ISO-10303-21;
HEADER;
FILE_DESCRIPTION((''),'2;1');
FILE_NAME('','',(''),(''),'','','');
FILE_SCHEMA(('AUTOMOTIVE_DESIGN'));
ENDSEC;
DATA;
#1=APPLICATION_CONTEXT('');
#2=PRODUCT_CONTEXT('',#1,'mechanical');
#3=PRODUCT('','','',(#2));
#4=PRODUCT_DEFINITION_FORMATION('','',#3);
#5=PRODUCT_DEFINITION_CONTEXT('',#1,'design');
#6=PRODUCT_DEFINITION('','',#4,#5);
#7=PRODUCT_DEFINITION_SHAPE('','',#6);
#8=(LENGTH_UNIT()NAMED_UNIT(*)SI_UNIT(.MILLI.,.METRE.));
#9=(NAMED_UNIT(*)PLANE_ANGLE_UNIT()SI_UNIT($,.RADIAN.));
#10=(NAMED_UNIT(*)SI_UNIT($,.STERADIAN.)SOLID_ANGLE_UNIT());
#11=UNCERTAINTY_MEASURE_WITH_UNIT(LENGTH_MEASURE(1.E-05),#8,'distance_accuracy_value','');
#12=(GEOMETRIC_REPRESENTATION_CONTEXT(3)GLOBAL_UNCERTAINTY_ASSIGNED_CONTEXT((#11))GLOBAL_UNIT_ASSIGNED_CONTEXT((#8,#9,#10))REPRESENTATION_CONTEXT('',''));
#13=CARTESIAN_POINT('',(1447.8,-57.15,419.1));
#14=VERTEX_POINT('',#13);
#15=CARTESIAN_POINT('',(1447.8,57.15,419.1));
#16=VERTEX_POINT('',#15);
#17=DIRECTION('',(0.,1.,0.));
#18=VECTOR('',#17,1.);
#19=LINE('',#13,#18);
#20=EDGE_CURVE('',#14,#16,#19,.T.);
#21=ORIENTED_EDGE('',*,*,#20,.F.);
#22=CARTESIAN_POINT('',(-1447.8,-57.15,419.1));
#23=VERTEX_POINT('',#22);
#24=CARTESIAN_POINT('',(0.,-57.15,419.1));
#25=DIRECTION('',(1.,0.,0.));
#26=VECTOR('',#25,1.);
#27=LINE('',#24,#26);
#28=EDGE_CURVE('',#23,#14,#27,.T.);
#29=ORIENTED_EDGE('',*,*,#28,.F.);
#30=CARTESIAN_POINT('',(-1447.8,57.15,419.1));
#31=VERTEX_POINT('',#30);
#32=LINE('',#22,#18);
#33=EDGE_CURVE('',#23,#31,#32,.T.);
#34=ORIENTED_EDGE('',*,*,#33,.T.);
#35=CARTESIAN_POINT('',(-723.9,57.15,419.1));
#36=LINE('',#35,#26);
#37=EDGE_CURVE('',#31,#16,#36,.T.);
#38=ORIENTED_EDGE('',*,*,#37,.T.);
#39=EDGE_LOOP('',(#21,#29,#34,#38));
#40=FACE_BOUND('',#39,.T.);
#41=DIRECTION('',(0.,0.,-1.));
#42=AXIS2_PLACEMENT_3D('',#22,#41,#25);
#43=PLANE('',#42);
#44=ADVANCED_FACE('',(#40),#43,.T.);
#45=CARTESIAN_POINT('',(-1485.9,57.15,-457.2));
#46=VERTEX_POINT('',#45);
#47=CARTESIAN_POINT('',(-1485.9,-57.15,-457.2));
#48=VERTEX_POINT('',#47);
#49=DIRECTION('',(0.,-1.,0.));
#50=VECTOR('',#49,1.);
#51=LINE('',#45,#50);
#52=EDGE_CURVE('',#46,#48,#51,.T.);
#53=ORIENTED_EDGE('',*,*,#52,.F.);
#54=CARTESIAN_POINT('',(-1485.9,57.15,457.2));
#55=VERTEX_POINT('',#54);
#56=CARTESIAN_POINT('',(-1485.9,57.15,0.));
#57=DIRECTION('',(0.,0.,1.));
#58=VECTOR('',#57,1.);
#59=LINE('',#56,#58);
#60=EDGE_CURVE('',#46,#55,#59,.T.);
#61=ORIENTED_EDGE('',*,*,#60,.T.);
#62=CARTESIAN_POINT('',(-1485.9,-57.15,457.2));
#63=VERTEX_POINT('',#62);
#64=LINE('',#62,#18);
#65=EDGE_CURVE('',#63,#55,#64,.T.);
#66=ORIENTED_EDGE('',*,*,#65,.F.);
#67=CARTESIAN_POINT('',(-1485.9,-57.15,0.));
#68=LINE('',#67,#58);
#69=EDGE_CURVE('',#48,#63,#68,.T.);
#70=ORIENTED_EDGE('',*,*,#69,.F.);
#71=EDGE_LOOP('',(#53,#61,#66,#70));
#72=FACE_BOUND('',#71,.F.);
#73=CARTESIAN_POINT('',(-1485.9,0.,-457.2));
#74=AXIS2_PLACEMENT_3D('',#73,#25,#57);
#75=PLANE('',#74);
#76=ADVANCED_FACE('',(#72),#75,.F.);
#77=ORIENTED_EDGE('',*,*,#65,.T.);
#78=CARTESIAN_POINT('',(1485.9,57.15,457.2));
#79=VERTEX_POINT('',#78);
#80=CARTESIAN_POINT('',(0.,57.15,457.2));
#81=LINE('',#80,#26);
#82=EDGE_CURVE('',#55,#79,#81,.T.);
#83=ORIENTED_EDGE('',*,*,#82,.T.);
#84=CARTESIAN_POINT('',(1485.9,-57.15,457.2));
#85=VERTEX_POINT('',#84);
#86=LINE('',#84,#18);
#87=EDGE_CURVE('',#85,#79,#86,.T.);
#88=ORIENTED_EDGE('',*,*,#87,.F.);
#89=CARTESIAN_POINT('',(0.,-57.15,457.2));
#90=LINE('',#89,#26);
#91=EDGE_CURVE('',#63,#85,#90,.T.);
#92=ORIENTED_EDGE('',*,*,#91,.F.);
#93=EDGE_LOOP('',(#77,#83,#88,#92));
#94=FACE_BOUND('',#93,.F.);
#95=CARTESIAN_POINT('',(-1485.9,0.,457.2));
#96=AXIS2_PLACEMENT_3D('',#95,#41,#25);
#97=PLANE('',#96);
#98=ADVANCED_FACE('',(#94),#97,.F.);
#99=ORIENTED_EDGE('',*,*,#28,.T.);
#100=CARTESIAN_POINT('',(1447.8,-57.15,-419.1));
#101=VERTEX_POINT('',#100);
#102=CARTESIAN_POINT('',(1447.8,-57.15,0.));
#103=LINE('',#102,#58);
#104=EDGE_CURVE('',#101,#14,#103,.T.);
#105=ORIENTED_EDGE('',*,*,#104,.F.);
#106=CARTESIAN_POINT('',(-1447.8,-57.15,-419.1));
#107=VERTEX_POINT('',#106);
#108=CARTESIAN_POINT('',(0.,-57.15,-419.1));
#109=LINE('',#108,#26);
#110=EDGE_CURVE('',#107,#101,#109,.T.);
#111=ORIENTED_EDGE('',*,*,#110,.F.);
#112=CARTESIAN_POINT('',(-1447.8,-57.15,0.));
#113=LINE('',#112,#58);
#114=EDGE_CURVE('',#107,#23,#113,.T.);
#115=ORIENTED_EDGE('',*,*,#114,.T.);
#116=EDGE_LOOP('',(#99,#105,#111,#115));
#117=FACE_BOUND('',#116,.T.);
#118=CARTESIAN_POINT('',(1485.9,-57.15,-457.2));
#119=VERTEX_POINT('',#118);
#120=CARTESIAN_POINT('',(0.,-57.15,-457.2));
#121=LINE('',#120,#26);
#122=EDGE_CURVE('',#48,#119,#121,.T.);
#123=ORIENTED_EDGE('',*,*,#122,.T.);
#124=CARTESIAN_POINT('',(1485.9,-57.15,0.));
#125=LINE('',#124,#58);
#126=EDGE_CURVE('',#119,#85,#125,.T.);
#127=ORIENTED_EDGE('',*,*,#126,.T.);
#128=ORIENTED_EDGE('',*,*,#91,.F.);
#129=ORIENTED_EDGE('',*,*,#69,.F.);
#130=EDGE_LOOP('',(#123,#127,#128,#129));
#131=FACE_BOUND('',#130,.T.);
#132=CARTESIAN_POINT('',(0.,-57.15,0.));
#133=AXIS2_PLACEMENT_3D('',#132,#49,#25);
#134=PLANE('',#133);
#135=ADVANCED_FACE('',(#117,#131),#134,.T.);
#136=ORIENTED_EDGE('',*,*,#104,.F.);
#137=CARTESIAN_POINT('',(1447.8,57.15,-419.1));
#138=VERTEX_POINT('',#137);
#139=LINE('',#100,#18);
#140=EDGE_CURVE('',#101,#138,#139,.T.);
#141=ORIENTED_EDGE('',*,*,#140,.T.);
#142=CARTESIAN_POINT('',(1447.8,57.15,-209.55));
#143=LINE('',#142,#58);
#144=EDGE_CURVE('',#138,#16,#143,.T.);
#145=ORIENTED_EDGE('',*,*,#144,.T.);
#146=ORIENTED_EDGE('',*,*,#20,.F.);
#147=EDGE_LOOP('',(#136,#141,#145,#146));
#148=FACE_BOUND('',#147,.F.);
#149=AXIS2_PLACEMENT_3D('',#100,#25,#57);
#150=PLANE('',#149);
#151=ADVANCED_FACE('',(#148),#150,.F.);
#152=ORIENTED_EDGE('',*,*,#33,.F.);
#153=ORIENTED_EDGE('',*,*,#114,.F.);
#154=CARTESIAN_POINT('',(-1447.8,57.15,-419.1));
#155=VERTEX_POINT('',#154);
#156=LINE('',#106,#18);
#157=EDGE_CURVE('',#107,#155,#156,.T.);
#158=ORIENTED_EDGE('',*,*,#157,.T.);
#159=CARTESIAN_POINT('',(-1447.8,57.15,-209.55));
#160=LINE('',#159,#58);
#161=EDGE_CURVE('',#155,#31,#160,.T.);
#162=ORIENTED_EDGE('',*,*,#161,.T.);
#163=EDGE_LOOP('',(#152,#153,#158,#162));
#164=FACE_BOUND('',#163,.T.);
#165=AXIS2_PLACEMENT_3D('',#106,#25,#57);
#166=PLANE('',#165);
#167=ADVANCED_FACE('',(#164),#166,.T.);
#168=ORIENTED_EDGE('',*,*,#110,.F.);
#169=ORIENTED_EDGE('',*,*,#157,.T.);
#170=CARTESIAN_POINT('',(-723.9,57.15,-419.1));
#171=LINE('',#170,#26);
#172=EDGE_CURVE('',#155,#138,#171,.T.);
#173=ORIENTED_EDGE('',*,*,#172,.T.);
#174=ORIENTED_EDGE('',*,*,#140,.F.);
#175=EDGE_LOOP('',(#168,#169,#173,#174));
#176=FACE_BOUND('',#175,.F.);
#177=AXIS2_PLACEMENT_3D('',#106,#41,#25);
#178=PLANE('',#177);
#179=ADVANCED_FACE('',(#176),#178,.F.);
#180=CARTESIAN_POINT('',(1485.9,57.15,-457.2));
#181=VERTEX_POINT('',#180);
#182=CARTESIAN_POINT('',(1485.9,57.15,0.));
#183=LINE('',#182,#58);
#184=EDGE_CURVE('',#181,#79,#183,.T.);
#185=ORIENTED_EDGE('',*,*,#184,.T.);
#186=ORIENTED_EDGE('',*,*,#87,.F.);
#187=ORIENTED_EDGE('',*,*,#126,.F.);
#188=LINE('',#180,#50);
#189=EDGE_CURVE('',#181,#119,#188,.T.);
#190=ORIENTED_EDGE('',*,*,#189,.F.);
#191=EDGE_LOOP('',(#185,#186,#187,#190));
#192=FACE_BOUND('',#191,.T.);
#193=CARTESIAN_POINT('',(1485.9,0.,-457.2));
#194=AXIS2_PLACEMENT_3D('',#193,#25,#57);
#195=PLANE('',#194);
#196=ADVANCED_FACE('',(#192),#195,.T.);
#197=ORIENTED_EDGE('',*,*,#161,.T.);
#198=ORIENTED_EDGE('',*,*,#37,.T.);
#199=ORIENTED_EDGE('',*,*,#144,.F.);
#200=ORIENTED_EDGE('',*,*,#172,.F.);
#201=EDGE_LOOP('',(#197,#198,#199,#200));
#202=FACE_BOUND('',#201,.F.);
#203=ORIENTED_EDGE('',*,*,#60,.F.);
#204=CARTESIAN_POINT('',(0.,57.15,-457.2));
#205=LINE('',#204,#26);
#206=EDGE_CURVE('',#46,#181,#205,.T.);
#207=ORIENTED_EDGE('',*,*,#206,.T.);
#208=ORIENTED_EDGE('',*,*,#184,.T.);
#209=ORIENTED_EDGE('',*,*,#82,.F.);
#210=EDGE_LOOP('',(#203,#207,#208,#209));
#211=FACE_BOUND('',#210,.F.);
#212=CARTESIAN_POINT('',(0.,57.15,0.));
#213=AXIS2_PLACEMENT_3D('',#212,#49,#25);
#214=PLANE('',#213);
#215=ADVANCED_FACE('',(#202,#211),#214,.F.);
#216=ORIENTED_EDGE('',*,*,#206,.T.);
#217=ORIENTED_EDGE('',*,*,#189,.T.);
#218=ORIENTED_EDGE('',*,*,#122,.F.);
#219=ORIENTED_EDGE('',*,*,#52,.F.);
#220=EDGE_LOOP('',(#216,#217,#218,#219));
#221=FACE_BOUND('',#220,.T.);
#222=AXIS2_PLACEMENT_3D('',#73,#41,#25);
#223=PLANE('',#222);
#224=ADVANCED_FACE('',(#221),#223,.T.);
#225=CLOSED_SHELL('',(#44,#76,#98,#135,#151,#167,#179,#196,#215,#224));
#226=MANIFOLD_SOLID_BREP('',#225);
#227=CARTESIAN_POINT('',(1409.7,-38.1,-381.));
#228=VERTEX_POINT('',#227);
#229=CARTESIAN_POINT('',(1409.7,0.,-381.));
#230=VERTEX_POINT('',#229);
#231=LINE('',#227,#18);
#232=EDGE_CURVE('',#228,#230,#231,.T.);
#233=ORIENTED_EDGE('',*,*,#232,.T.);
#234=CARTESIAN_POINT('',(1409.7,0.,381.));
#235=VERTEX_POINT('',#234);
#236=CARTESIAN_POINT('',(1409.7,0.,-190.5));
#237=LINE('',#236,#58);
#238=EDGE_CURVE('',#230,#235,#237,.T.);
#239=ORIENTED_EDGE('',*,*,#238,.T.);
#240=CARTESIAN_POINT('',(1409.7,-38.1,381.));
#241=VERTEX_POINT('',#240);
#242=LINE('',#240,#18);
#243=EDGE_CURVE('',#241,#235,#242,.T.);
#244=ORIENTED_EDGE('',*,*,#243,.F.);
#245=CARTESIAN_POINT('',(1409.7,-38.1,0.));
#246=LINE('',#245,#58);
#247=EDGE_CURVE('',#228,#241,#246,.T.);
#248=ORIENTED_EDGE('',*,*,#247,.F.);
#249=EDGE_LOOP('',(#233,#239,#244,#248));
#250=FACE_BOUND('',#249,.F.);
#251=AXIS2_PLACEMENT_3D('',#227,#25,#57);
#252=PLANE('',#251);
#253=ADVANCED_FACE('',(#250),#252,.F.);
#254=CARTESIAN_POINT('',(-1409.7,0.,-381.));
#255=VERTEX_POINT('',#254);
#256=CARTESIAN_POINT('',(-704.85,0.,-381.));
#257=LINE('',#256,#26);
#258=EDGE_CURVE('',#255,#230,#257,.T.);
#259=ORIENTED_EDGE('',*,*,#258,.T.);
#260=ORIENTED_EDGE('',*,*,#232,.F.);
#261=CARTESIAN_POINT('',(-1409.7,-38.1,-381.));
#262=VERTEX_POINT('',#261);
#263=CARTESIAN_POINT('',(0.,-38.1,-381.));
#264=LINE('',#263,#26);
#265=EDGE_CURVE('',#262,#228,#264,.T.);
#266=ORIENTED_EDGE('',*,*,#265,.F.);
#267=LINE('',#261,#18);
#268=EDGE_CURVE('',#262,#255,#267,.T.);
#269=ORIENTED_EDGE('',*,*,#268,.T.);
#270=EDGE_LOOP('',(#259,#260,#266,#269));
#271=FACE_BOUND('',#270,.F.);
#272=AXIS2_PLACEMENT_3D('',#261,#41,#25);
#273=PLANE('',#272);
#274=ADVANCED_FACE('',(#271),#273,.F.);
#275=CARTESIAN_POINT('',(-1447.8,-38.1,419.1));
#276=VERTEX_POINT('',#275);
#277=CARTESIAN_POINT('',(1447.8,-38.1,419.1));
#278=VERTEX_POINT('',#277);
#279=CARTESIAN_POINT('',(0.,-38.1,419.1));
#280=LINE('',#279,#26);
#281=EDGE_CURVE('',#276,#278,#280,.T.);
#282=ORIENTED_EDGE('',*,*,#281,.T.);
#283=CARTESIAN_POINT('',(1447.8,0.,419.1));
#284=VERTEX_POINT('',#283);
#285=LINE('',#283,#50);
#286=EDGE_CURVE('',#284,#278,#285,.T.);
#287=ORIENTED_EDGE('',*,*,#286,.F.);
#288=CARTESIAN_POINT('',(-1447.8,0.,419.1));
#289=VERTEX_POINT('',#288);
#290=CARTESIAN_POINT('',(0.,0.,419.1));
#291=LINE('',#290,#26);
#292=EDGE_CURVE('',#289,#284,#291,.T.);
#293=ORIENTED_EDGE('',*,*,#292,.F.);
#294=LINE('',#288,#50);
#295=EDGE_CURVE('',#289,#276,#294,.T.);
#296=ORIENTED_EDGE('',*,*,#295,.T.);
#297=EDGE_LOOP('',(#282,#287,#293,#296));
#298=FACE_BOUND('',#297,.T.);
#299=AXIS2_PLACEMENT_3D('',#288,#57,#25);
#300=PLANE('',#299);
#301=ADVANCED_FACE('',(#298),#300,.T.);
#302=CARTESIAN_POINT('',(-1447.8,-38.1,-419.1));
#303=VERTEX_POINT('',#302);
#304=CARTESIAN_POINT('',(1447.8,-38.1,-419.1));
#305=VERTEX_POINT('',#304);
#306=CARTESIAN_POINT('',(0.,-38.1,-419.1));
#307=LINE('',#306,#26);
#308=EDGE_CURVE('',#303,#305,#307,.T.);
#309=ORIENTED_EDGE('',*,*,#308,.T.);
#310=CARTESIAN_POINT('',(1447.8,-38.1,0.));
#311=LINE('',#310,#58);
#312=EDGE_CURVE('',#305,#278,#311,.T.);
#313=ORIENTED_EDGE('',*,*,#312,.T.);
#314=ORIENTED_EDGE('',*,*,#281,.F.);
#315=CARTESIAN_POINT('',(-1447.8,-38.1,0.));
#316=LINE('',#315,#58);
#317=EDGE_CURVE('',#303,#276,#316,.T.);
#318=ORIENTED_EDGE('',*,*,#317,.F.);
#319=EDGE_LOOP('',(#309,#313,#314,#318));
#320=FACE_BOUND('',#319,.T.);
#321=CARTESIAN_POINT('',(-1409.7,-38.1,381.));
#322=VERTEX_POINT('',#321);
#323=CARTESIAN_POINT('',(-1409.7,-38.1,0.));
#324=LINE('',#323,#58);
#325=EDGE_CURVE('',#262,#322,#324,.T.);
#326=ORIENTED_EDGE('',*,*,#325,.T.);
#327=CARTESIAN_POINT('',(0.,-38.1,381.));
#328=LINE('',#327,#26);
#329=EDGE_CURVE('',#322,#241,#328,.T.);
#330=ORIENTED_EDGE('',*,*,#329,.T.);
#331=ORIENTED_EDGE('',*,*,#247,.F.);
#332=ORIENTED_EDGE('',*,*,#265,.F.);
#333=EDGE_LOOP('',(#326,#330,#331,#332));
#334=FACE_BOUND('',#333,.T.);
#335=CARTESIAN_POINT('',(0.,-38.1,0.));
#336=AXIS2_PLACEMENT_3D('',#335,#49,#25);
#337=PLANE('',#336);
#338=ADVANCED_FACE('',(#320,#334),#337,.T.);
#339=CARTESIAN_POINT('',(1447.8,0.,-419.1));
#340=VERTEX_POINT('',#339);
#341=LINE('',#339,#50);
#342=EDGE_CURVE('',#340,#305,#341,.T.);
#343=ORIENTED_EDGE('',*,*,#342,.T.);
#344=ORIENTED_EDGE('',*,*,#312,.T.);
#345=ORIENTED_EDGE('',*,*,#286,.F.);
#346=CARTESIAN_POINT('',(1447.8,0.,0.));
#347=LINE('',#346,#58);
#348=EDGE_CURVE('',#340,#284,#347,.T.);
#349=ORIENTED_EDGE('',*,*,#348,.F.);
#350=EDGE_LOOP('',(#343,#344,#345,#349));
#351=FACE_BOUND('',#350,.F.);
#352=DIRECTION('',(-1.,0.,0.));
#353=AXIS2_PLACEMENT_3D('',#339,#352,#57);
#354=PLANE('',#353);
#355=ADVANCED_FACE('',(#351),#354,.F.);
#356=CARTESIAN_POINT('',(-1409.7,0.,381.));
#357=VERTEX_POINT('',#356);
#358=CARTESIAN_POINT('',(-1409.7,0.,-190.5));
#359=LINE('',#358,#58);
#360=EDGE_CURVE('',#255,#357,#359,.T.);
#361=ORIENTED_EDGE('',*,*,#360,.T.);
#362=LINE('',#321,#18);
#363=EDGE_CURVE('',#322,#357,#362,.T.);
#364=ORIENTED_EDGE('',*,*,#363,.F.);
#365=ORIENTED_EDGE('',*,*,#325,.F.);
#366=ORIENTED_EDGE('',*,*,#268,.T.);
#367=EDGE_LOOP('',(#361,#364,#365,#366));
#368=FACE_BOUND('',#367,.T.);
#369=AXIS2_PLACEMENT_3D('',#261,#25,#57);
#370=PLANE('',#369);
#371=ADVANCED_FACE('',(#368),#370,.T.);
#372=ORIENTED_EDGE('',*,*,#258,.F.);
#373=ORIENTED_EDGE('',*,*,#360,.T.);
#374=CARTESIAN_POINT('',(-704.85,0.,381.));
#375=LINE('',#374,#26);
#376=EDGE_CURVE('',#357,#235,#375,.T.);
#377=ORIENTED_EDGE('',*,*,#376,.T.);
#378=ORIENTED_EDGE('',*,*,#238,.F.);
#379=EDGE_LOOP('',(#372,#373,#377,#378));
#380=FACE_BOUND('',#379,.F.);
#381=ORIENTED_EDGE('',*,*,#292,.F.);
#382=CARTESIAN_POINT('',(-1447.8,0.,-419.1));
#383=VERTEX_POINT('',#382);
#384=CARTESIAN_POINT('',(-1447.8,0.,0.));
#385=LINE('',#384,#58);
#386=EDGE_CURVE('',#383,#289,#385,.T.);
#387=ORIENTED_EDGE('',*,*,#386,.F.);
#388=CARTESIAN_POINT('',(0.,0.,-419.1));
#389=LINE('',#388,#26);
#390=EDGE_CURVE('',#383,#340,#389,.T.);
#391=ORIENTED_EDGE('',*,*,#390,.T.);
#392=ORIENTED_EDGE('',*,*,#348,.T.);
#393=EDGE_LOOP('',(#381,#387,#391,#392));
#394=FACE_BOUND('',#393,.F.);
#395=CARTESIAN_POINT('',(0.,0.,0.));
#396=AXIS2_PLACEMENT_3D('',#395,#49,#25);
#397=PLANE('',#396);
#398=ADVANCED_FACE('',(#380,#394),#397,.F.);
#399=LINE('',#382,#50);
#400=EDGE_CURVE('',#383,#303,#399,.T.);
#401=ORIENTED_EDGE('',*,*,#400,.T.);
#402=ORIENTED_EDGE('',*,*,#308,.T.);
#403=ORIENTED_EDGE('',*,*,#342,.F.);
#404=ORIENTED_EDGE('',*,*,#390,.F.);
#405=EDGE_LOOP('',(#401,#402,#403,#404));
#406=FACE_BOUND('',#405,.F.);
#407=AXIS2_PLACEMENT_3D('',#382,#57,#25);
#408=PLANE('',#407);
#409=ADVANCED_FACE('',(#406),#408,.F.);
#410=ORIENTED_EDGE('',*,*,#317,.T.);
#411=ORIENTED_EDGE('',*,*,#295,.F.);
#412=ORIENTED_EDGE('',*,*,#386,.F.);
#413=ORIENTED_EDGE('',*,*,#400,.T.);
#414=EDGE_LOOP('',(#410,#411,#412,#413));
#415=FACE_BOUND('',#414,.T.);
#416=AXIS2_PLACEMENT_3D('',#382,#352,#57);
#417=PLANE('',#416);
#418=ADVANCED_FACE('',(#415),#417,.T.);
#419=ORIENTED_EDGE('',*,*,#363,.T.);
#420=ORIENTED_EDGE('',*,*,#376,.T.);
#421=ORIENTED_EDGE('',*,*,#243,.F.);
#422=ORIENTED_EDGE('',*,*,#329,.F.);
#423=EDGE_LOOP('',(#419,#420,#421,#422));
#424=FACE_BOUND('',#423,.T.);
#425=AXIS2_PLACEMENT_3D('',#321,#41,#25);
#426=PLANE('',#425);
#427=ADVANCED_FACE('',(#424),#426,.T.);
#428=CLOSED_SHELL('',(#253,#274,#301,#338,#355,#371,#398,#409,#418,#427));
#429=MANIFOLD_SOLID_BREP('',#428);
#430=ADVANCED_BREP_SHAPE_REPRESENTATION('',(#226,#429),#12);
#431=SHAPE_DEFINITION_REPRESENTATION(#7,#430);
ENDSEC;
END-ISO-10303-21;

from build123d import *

# Parameters (mm, degrees)
F0_W      = 2971.8
F0_H      = 914.4
F1_DEPTH  = 57.15
F2_W      = 2895.6
F2_H      = 838.2
F3_DEPTH  = 114.301
F4_W      = 2895.6
F4_H      = 838.2
F5_DEPTH  = 38.1
F6_W      = 2819.4
F6_H      = 762
F7_DEPTH  = 95.251
F8_W      = 1466.85
F8_H      = 838.2
F9_DEPTH  = 38.1
F10_W     = 38.1
F10_H     = 762
F11_DEPTH = 57.151


with BuildPart() as f1:
    # F0 (on Front) → F1 (new body, symmetric)
    with BuildSketch(Plane.XZ):
        Rectangle(F0_W, F0_H)
    extrude(amount=F1_DEPTH, both=True)

    # F2 (on face) → F3 (cut, through all)
    with BuildSketch(Plane.XZ.offset(57.15)):
        Rectangle(F2_W, F2_H)
    extrude(amount=-F3_DEPTH, mode=Mode.SUBTRACT)


with BuildPart() as f5:
    # F4 (on Front) → F5 (new body)
    with BuildSketch(Plane.XZ):
        Rectangle(F4_W, F4_H)
    extrude(amount=F5_DEPTH)

    # F6 (on face) → F7 (cut, through all)
    with BuildSketch(Plane.XZ.offset(38.1)):
        Rectangle(F6_W, F6_H)
    extrude(amount=-F7_DEPTH, mode=Mode.SUBTRACT)


with BuildPart() as f9:
    # F8 (on Front) → F9 (new body)
    with BuildSketch(Plane.XZ):
        with Locations((714.375, 0)):
            Rectangle(F8_W, F8_H)
    extrude(amount=-F9_DEPTH)

    # F10 (on face) → F11 (cut, through all)
    with BuildSketch(Plane.XZ):
        with Locations((1428.75, 0)):
            Rectangle(F10_W, F10_H)
    extrude(amount=-F11_DEPTH, mode=Mode.SUBTRACT)


solid = Compound([f1.part, f5.part])
